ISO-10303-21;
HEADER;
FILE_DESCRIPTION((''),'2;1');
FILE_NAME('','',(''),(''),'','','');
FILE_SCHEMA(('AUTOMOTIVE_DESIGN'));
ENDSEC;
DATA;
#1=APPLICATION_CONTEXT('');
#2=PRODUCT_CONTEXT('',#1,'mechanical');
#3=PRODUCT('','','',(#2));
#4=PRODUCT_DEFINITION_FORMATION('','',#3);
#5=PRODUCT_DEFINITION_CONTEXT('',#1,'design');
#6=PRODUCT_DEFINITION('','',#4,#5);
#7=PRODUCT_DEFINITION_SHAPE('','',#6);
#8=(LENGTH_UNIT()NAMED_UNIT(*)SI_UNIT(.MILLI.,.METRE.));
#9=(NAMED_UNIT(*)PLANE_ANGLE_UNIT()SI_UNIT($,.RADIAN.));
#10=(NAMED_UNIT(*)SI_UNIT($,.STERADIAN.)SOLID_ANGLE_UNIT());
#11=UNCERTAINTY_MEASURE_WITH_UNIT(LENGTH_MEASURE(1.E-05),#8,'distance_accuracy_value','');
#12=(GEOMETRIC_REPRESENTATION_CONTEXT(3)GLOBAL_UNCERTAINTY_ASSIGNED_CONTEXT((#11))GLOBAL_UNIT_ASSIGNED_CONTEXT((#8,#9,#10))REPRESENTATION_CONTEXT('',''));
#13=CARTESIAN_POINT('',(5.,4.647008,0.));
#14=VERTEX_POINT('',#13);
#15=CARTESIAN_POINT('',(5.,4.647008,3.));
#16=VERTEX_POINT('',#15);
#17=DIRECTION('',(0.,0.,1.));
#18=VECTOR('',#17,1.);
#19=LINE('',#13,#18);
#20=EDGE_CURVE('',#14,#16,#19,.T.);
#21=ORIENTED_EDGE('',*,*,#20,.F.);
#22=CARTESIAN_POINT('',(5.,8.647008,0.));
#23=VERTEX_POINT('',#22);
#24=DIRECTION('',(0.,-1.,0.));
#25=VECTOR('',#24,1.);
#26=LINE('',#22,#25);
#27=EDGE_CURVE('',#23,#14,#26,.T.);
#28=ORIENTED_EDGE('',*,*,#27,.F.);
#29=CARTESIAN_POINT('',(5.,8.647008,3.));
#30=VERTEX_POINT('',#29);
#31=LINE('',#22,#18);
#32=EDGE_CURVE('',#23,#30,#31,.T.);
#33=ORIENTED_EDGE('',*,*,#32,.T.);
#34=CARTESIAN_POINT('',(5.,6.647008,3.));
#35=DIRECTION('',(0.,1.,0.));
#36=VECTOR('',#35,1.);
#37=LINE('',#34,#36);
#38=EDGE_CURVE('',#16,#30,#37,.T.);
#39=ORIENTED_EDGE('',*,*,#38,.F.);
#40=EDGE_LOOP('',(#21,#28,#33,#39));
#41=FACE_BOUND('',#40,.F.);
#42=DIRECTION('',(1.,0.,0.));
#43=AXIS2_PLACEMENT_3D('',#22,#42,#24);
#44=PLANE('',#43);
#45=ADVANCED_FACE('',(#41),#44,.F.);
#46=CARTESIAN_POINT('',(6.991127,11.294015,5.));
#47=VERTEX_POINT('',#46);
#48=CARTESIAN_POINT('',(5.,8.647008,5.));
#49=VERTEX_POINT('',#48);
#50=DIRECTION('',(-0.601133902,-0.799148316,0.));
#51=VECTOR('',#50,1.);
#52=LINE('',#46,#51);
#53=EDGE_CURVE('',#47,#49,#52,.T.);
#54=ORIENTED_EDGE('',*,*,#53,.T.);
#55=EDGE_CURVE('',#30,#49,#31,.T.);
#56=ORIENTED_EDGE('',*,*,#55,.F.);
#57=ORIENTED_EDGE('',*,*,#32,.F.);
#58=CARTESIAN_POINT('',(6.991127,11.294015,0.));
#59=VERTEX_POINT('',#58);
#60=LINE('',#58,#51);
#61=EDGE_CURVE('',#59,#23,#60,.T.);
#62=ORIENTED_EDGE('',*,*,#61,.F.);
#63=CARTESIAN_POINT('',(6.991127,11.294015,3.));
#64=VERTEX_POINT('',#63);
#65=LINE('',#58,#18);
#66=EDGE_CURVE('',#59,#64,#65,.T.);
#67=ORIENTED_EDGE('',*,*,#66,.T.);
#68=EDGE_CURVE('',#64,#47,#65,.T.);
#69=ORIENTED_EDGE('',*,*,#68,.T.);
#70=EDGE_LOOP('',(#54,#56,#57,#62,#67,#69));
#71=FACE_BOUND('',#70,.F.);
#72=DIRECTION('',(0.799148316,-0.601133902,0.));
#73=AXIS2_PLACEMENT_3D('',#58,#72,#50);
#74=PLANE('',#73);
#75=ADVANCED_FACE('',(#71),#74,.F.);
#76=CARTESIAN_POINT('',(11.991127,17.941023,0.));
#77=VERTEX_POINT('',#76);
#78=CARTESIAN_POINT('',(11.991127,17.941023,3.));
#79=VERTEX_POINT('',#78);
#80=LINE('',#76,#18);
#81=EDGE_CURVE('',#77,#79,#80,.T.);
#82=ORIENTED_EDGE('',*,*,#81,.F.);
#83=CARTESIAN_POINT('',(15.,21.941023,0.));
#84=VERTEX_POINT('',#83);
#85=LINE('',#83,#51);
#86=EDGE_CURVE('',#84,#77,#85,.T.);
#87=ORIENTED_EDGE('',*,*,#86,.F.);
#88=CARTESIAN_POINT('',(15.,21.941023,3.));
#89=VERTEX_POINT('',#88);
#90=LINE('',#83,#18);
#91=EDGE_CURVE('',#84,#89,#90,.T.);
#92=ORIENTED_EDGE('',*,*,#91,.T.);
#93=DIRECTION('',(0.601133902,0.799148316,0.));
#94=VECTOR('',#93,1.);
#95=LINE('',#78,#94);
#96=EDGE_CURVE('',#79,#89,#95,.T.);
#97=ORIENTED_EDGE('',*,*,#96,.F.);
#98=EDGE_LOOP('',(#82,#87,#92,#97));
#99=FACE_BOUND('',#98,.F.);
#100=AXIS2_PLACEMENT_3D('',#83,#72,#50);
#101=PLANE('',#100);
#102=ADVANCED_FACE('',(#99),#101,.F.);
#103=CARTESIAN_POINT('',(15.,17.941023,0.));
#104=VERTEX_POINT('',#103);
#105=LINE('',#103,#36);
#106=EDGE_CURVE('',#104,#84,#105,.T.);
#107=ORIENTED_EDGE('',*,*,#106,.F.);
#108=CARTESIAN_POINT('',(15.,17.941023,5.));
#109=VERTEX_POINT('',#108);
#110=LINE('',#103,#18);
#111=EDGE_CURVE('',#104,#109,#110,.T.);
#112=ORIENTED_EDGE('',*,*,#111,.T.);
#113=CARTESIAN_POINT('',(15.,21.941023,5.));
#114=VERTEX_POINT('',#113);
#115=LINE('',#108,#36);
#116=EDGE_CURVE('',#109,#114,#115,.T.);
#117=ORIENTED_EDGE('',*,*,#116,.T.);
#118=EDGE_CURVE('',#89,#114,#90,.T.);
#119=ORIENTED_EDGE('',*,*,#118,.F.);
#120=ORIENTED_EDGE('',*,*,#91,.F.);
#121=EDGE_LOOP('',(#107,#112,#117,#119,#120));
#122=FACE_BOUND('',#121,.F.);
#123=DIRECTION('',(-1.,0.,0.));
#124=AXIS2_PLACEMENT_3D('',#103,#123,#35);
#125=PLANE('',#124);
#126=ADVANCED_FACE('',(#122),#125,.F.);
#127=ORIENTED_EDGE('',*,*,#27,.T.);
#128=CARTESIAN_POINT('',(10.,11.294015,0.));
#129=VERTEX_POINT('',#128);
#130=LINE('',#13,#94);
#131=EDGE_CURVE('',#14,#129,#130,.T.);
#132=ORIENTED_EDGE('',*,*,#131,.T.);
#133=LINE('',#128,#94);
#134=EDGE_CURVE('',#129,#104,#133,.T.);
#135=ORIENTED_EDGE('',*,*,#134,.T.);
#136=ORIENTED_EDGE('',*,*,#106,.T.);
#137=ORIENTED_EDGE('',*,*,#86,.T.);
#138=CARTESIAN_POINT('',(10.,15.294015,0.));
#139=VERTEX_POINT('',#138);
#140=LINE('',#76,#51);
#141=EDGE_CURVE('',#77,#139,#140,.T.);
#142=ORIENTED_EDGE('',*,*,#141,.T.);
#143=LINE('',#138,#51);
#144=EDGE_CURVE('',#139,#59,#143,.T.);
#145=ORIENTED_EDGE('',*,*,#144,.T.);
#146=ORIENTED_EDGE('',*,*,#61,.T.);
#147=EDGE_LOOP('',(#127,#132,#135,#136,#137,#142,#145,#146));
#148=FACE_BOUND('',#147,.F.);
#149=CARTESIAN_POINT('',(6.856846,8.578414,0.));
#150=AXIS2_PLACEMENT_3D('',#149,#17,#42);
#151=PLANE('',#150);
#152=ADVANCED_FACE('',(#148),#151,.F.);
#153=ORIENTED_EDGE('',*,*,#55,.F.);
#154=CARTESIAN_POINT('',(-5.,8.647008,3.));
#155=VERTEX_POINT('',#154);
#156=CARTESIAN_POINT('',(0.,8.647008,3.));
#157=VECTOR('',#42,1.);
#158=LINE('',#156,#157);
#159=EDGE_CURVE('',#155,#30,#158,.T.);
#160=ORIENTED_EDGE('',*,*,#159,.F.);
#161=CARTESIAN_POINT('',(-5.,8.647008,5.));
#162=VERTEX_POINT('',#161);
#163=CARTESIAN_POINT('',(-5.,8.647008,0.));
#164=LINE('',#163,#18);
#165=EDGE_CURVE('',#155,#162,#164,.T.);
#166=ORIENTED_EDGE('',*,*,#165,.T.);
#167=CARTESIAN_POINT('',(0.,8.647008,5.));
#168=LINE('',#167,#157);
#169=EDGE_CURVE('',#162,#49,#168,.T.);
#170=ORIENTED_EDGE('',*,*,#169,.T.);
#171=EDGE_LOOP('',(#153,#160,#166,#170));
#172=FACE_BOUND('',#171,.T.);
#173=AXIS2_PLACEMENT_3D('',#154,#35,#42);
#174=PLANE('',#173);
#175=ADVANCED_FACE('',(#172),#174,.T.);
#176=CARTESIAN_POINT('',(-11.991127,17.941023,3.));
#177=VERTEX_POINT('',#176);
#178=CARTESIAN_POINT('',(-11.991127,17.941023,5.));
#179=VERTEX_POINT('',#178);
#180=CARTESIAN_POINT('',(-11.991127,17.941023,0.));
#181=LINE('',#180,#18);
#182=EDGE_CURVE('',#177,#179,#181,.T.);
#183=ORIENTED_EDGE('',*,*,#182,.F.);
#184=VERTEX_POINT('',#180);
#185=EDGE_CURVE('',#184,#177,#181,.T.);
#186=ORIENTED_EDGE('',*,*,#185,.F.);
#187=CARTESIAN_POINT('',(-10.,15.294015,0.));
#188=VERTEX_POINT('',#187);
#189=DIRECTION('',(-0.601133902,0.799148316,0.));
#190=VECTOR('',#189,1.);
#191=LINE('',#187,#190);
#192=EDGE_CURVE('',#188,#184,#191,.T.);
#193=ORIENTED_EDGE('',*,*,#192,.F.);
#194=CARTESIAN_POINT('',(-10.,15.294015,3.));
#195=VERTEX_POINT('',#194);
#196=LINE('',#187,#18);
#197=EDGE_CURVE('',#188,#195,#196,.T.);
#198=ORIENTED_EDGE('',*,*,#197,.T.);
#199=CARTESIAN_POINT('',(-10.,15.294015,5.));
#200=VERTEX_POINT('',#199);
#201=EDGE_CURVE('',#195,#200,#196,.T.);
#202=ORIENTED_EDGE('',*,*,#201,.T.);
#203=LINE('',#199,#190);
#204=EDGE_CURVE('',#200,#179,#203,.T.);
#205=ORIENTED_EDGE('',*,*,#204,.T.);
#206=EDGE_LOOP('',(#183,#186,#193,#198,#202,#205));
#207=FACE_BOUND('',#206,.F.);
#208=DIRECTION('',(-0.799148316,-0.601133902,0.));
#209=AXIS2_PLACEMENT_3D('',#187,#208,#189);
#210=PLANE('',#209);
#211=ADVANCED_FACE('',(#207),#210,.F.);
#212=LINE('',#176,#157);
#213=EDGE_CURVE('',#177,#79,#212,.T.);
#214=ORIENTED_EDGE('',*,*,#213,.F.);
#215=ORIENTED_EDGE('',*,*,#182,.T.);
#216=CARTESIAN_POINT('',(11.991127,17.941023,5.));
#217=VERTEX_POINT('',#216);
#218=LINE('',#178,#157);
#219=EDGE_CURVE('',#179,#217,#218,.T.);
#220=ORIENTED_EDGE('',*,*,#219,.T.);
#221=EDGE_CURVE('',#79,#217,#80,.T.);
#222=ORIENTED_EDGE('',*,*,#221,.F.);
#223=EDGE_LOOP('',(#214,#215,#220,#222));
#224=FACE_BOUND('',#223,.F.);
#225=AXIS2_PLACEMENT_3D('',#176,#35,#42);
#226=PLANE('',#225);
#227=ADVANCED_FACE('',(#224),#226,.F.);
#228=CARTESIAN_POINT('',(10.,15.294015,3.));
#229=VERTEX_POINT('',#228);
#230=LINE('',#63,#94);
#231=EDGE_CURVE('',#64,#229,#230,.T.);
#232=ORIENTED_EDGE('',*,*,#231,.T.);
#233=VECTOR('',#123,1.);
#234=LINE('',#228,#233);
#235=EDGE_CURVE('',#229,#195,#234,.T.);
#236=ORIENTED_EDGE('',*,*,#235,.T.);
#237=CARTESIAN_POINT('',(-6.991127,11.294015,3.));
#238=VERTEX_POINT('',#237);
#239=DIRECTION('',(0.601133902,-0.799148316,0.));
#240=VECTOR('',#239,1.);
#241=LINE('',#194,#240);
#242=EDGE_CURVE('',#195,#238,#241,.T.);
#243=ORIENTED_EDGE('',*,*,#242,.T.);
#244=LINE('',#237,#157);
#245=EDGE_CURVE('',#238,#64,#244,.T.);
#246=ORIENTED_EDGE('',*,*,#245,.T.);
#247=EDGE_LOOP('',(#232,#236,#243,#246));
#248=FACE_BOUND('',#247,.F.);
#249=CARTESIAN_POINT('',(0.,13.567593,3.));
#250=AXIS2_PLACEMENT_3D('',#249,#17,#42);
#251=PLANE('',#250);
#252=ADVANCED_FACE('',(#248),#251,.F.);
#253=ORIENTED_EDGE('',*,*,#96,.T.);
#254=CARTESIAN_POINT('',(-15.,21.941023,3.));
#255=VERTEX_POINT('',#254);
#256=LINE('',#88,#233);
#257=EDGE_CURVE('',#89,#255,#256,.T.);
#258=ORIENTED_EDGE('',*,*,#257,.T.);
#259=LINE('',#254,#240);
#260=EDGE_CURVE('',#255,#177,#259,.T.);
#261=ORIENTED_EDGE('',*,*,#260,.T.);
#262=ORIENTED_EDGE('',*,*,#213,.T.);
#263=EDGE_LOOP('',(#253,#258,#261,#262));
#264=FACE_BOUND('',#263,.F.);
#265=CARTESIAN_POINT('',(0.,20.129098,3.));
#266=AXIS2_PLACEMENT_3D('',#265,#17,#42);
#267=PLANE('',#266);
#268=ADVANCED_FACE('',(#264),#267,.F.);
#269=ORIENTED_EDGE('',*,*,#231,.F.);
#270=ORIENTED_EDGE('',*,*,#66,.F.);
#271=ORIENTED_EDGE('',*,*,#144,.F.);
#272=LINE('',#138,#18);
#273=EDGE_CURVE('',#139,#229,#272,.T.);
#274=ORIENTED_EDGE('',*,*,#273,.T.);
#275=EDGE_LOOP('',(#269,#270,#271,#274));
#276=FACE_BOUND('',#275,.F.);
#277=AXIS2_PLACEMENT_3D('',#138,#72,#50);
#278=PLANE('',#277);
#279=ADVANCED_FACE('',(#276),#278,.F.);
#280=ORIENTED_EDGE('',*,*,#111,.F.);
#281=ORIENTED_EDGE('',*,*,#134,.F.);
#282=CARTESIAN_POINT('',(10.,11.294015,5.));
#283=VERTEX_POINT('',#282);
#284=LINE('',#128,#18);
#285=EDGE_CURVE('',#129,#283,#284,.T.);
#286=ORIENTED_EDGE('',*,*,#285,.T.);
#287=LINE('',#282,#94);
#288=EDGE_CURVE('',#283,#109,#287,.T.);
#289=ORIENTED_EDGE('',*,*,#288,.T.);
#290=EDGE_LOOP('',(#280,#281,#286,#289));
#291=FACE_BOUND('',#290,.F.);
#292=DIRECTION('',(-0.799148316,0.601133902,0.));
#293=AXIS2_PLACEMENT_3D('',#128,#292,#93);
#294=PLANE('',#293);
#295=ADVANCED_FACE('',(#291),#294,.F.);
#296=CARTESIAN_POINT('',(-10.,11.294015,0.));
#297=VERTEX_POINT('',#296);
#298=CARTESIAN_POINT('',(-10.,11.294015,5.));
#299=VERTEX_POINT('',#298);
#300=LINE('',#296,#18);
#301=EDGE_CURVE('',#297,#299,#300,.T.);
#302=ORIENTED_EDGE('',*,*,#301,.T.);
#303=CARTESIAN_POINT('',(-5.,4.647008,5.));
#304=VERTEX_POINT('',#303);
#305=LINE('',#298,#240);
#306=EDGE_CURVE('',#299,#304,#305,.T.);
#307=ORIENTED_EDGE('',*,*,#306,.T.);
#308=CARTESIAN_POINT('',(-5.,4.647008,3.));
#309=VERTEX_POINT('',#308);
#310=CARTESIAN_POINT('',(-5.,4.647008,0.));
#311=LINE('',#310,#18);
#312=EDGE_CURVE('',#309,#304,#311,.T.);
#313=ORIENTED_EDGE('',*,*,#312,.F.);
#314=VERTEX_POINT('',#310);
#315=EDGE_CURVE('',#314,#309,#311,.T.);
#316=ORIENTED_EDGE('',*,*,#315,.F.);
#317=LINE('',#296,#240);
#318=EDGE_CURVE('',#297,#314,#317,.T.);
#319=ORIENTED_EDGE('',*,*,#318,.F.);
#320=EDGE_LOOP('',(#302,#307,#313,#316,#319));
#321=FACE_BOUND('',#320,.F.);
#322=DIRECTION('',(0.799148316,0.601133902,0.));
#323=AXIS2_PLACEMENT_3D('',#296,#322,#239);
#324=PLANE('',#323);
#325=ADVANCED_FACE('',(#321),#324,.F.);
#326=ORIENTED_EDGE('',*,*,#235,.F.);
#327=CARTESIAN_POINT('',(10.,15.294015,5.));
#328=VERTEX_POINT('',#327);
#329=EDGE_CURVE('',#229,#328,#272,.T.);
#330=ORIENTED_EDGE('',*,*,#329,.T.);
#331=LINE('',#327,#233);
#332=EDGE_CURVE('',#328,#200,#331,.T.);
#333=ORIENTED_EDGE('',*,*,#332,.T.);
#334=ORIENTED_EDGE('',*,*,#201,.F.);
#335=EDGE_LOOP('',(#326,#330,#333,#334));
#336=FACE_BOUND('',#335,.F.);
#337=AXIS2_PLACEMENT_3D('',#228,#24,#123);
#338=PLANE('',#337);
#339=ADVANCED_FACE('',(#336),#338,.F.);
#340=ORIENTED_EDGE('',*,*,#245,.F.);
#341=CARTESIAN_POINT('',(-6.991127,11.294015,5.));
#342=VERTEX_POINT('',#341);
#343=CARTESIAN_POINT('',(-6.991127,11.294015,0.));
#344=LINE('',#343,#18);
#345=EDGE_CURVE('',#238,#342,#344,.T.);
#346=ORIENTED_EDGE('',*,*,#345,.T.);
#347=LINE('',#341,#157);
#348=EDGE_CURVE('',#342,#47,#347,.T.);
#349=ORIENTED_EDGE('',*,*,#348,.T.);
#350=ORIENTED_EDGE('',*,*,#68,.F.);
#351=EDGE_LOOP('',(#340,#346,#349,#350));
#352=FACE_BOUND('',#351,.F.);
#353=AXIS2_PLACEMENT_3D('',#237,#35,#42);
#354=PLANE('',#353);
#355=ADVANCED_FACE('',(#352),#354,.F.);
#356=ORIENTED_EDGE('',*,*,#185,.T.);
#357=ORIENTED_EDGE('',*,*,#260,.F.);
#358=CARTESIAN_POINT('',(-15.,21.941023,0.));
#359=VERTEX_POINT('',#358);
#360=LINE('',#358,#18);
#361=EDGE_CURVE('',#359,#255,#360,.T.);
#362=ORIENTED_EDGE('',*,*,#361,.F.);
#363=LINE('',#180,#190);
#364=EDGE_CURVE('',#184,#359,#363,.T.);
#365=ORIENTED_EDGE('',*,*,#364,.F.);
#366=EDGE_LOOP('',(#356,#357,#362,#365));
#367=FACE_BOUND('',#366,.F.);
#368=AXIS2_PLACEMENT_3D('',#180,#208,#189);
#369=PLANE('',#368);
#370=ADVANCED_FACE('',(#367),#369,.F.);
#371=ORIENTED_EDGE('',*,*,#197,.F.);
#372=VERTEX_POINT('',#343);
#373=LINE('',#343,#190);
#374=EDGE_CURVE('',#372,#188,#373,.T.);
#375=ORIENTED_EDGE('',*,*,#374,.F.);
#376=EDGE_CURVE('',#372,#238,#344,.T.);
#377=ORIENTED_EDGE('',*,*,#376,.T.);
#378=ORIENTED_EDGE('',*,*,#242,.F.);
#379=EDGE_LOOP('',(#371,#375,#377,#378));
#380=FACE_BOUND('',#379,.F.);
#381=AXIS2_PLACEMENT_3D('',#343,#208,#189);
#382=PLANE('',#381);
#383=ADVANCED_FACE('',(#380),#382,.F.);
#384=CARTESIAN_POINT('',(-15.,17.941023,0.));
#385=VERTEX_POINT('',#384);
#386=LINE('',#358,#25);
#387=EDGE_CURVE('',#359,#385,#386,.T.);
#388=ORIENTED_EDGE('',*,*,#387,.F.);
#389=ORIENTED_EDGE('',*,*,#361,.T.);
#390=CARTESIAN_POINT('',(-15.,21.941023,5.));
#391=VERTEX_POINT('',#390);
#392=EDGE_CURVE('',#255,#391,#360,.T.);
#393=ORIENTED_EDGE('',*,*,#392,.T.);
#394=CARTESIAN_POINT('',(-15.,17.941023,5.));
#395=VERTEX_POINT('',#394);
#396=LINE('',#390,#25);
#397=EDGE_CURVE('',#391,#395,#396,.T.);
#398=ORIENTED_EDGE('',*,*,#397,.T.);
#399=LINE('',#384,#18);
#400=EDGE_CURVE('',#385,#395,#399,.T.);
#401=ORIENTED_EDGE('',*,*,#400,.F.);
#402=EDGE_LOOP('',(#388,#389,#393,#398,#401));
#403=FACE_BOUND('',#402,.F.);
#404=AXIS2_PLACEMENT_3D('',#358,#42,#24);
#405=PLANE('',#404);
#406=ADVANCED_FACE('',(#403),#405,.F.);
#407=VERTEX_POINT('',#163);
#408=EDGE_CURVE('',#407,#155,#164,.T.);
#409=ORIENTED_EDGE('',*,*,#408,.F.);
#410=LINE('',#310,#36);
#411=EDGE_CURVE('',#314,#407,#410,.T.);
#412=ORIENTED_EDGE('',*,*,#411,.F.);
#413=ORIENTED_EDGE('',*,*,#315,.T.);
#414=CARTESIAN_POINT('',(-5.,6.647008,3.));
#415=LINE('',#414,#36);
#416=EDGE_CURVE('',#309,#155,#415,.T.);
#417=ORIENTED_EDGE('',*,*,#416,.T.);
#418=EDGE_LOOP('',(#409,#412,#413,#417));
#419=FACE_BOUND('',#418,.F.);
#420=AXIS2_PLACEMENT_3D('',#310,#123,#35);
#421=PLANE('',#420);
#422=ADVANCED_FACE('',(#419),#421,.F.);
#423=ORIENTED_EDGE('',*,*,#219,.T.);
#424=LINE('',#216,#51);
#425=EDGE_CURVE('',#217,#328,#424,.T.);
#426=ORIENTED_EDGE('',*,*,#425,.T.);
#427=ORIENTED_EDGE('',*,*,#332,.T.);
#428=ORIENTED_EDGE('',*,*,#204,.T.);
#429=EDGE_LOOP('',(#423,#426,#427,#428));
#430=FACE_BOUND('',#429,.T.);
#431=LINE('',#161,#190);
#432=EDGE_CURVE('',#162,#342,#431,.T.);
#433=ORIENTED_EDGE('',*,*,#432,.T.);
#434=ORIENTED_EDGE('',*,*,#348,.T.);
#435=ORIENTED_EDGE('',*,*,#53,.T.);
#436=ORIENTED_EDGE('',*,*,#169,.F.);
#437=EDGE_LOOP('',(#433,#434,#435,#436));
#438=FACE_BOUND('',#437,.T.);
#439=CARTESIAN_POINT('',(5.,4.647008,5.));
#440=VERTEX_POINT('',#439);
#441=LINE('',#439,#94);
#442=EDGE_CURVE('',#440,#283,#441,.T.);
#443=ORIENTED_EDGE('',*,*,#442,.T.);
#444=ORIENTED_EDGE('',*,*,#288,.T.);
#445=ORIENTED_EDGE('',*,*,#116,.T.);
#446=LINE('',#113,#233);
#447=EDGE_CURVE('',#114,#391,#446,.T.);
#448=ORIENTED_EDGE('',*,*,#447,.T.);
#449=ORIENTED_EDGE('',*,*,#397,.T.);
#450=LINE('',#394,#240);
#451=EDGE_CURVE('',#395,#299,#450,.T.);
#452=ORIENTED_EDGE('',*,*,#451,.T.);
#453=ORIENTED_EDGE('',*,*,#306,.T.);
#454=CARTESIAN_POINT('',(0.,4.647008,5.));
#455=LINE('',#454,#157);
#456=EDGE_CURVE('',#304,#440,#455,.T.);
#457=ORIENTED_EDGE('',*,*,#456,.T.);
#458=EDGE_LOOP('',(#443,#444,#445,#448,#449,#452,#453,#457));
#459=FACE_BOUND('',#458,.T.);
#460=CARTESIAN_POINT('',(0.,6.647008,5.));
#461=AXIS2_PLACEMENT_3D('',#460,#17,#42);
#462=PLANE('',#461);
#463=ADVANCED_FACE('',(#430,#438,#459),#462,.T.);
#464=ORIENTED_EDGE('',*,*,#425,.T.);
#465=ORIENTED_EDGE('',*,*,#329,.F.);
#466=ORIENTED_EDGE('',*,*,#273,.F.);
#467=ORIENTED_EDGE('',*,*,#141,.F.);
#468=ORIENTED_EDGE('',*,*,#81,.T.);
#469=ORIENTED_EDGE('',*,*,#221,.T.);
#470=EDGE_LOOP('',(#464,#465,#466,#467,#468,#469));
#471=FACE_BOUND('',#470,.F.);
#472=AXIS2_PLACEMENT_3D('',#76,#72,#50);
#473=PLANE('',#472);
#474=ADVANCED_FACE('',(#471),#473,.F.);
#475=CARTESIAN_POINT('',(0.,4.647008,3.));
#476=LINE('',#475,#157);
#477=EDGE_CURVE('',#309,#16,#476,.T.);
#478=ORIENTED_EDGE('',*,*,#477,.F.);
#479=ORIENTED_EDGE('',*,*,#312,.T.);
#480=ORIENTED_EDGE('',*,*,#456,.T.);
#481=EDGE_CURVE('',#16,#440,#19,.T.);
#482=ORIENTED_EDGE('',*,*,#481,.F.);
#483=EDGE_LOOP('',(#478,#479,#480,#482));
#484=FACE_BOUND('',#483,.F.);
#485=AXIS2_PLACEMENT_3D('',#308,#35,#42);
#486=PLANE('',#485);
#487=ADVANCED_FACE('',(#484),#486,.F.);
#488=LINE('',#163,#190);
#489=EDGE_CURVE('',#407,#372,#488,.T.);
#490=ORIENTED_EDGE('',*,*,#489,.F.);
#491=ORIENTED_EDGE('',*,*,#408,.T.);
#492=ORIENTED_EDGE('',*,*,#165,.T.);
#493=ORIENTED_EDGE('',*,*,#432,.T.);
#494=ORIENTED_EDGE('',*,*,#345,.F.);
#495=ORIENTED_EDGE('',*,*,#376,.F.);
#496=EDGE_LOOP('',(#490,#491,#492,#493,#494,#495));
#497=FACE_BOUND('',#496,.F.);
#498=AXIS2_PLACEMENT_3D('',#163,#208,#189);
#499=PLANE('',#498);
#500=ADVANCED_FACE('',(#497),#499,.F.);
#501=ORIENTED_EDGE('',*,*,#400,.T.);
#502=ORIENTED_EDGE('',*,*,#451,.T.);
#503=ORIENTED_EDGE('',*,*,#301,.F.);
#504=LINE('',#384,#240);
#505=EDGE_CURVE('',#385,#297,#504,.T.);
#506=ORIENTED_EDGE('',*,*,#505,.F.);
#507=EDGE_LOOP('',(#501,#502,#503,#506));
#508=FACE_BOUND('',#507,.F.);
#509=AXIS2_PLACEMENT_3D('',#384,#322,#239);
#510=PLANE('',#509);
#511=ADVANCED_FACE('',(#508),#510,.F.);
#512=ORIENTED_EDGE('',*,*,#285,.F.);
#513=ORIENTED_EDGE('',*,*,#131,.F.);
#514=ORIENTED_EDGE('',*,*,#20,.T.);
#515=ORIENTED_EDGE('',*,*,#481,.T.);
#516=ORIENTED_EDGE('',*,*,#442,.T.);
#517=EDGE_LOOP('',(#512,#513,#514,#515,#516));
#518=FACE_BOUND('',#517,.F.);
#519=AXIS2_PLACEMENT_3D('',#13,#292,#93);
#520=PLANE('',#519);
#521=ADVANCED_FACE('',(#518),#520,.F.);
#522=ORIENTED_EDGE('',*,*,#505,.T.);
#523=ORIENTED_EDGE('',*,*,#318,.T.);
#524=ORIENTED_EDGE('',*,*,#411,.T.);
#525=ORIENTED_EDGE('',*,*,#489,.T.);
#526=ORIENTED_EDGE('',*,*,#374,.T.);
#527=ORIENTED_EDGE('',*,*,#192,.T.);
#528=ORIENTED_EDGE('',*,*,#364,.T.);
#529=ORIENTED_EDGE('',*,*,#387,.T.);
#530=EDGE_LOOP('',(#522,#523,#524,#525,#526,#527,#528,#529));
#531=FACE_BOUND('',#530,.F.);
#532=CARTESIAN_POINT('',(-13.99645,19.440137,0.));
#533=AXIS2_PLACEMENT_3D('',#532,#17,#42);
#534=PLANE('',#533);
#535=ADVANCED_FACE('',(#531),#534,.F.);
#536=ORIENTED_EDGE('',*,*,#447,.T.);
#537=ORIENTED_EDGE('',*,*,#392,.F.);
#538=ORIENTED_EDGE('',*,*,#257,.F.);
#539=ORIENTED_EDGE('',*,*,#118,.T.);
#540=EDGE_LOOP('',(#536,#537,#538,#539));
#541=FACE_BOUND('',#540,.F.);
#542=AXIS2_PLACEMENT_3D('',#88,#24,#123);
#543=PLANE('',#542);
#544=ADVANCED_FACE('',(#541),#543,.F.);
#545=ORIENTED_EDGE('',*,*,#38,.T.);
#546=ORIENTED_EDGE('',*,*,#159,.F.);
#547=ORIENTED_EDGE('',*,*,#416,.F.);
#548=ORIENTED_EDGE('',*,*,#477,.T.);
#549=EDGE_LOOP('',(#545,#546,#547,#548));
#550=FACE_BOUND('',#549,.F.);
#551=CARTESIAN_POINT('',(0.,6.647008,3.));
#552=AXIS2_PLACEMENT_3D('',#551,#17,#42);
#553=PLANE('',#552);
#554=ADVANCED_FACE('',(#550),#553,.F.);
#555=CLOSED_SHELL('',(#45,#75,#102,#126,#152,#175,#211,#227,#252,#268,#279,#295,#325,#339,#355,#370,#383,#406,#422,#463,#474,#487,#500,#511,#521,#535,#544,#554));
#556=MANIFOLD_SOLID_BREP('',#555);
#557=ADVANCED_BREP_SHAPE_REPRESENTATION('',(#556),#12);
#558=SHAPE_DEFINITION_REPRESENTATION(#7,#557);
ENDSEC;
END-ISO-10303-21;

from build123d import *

# Parameters (mm, degrees)
F1_DEPTH = 5
F2_START = 3
F0_W     = 10
F0_H     = 4
F2_DEPTH = 2


with BuildPart() as f1:
    # F0 (on Top) → F1 (new body)
    with BuildSketch(Plane.XY):
        Polygon((-15, 21.9410226196), (-15, 17.9410226196), (-11.9911272283, 17.9410226196), align=None)
        Polygon((-11.9911272283, 17.9410226196), (-15, 17.9410226196), (-10, 11.2940150797), (-10, 15.2940150797), align=None)
        Polygon((-10, 15.2940150797), (-10, 11.2940150797), (-6.9911272283, 11.2940150797), align=None)
        Polygon((-6.9911272283, 11.2940150797), (-10, 11.2940150797), (-5, 4.6470075399), (-5, 8.6470075399), align=None)
    extrude(amount=F1_DEPTH)



with BuildPart() as f1b:
    # F0 (on Top) → F1, piece 2 (new body)
    with BuildSketch(Plane.XY):
        Polygon((10, 11.2940150797), (6.9911272283, 11.2940150797), (5, 8.6470075399), (5, 4.6470075399), align=None)
        Polygon((10, 11.2940150797), (10, 15.2940150797), (6.9911272283, 11.2940150797), align=None)
        Polygon((15, 17.9410226196), (11.9911272283, 17.9410226196), (10, 15.2940150797), (10, 11.2940150797), align=None)
        Polygon((15, 21.9410226196), (11.9911272283, 17.9410226196), (15, 17.9410226196), align=None)
    extrude(amount=F1_DEPTH)


with BuildPart() as f1_1:
    add(f1.part)

    add(f1b.part)  # F2 merges F1b
    # F0 (on Top) → F2 (join)
    with BuildSketch(Plane.XY.offset(F2_START)):
        with Locations((0, 6.6470075399)):
            Rectangle(F0_W, F0_H)
        Polygon((10, 15.2940150797), (-10, 15.2940150797), (-6.9911272283, 11.2940150797), (6.9911272283, 11.2940150797), align=None)
        Polygon((-15, 21.9410226196), (-11.9911272283, 17.9410226196), (11.9911272283, 17.9410226196), (15, 21.9410226196), align=None)
    extrude(amount=F2_DEPTH)


solid = f1_1.part
